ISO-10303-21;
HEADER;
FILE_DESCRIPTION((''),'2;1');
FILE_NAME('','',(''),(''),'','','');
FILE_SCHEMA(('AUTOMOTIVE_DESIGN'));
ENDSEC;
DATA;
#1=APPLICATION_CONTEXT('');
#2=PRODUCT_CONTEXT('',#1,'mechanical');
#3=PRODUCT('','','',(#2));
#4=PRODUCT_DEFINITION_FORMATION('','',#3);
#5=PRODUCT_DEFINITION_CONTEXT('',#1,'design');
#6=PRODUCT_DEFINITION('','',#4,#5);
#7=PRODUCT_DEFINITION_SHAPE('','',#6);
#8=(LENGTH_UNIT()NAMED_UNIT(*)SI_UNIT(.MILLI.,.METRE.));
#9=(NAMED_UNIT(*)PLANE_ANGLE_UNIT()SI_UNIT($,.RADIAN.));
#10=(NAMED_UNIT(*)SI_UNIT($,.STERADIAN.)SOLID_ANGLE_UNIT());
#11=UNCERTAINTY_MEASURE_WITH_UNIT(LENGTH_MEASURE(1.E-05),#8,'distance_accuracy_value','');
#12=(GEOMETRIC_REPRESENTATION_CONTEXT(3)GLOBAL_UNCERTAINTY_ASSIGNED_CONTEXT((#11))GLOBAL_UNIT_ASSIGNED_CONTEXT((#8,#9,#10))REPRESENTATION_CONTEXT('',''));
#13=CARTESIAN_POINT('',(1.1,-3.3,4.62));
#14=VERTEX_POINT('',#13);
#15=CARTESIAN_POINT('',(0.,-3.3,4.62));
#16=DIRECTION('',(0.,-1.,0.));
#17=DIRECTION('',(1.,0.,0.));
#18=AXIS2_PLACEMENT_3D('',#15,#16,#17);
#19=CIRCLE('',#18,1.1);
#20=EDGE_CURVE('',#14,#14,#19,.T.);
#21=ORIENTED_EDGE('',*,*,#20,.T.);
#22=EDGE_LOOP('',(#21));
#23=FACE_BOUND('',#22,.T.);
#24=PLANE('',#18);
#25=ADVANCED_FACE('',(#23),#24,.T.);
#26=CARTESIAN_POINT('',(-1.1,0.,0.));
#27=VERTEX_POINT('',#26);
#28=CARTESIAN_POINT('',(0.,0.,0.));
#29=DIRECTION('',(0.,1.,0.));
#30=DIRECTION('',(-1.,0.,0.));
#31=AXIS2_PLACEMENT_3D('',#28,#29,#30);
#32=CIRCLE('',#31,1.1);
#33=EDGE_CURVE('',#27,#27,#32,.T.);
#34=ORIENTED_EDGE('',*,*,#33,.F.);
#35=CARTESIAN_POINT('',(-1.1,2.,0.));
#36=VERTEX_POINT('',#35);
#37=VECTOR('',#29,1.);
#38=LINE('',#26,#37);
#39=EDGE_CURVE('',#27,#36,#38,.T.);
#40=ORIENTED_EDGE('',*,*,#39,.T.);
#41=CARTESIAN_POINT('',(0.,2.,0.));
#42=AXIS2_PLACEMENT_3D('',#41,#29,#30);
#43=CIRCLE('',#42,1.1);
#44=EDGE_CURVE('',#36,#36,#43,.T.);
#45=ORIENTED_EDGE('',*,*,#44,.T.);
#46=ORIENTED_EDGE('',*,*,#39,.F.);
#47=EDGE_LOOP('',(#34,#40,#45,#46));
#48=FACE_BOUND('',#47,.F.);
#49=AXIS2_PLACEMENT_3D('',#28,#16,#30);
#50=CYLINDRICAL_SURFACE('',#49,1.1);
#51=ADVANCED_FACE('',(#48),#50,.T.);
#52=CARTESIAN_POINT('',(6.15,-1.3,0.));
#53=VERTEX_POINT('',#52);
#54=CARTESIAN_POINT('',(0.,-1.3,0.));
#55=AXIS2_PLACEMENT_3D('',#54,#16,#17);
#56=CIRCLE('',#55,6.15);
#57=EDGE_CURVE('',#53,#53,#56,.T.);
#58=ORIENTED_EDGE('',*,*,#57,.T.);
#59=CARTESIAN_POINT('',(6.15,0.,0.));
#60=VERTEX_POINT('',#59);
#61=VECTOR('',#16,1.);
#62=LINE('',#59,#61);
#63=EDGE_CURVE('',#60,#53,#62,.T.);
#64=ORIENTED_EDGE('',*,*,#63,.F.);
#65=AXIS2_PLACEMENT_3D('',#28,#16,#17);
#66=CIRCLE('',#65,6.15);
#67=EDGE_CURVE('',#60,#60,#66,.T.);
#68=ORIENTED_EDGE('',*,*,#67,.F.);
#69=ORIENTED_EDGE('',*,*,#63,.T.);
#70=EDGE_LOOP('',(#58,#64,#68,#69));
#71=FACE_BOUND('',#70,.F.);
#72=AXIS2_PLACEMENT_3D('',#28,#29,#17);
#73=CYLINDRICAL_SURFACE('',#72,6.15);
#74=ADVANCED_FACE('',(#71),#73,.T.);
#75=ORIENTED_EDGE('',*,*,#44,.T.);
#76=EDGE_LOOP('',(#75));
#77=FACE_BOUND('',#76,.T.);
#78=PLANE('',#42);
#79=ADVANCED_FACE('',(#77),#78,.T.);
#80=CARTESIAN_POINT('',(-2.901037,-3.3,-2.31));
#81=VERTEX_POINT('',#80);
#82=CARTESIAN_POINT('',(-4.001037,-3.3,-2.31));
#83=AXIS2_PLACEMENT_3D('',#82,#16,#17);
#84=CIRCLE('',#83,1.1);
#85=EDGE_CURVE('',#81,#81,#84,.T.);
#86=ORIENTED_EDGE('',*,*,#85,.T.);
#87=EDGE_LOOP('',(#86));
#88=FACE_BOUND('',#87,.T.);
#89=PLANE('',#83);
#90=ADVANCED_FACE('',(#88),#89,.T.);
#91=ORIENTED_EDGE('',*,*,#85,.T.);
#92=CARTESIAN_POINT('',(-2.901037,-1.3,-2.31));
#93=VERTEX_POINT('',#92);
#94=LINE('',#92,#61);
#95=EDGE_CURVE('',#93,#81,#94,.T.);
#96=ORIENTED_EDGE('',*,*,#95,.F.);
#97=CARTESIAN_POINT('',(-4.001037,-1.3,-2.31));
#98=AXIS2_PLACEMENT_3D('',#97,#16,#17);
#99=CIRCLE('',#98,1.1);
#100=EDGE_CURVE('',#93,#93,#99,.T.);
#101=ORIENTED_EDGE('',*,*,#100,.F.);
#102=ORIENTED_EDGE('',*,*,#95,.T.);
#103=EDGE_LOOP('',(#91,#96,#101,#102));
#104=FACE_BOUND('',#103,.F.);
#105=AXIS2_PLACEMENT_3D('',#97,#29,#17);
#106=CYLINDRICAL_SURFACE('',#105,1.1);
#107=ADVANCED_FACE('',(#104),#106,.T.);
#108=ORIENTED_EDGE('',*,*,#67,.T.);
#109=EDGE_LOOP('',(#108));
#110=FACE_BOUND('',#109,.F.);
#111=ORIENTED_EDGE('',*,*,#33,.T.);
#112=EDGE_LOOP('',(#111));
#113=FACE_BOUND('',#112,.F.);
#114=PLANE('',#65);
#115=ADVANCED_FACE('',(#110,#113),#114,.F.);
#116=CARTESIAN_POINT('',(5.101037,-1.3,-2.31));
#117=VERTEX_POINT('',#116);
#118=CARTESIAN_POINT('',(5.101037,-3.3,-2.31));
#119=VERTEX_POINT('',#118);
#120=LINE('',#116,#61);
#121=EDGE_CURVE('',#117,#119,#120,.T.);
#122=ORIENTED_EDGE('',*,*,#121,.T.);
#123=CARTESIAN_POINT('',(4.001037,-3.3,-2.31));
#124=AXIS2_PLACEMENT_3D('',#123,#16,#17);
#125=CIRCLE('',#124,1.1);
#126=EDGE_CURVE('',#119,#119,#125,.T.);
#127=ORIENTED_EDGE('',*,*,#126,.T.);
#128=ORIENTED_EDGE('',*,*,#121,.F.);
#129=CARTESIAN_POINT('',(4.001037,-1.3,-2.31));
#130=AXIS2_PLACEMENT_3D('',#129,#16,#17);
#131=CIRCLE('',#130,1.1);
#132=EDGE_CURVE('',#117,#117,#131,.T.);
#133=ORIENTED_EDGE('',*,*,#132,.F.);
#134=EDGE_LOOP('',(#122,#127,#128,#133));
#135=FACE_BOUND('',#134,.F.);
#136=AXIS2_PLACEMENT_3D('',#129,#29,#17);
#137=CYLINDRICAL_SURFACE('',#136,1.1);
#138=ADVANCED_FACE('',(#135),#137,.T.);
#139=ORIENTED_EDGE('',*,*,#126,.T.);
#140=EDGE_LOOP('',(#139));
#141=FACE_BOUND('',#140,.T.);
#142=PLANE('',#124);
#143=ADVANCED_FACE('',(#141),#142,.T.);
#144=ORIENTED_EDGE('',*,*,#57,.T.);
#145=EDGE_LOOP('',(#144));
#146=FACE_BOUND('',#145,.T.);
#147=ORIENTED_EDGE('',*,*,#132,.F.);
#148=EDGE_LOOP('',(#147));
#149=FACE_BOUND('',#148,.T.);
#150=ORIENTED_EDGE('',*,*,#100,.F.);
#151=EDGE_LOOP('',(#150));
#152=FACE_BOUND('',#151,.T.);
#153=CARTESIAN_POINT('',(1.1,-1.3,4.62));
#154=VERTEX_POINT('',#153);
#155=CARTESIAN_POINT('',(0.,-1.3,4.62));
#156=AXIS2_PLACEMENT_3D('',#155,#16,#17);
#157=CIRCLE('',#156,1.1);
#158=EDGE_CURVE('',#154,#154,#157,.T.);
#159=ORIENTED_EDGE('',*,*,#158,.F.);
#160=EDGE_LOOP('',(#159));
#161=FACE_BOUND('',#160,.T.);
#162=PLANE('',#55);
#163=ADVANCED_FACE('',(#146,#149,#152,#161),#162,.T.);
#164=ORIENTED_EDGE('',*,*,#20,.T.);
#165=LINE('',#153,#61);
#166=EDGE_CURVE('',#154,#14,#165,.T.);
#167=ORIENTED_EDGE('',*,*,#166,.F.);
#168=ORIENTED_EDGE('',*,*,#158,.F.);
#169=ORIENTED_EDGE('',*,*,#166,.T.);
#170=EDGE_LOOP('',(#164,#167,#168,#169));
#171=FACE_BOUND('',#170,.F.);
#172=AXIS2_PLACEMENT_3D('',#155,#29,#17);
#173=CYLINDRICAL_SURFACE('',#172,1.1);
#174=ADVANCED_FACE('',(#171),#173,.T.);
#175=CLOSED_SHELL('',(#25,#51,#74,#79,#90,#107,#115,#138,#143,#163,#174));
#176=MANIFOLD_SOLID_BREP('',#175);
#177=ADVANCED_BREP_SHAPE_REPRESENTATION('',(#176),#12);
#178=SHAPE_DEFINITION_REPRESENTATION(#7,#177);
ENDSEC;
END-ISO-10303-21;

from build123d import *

# Parameters (mm, degrees)
F0_R     = 6.15
F1_DEPTH = 1.3
F2_R     = 1.1
F3_DEPTH = 2
F4_R     = 1.1
F5_DEPTH = 2


with BuildPart() as f1:
    # F0 (on Front) → F1 (new body)
    with BuildSketch(Plane.XZ):
        Circle(F0_R)
    extrude(amount=F1_DEPTH)

    # F2 (on face) → F3 (join)
    with BuildSketch(Plane.XZ.offset(1.3)):
        with Locations((0, 4.62)):
            Circle(F2_R)
        with Locations((-4.0010373655, -2.31)):
            Circle(F2_R)
        with Locations((4.0010373655, -2.31)):
            Circle(F2_R)
    extrude(amount=F3_DEPTH)

    # F4 (on face) → F5 (join)
    with BuildSketch(Plane(origin=(0, 0, 0), x_dir=(-1, 0, 0), z_dir=(0, 1, 0))):
        Circle(F4_R)
    extrude(amount=F5_DEPTH)


solid = f1.part
